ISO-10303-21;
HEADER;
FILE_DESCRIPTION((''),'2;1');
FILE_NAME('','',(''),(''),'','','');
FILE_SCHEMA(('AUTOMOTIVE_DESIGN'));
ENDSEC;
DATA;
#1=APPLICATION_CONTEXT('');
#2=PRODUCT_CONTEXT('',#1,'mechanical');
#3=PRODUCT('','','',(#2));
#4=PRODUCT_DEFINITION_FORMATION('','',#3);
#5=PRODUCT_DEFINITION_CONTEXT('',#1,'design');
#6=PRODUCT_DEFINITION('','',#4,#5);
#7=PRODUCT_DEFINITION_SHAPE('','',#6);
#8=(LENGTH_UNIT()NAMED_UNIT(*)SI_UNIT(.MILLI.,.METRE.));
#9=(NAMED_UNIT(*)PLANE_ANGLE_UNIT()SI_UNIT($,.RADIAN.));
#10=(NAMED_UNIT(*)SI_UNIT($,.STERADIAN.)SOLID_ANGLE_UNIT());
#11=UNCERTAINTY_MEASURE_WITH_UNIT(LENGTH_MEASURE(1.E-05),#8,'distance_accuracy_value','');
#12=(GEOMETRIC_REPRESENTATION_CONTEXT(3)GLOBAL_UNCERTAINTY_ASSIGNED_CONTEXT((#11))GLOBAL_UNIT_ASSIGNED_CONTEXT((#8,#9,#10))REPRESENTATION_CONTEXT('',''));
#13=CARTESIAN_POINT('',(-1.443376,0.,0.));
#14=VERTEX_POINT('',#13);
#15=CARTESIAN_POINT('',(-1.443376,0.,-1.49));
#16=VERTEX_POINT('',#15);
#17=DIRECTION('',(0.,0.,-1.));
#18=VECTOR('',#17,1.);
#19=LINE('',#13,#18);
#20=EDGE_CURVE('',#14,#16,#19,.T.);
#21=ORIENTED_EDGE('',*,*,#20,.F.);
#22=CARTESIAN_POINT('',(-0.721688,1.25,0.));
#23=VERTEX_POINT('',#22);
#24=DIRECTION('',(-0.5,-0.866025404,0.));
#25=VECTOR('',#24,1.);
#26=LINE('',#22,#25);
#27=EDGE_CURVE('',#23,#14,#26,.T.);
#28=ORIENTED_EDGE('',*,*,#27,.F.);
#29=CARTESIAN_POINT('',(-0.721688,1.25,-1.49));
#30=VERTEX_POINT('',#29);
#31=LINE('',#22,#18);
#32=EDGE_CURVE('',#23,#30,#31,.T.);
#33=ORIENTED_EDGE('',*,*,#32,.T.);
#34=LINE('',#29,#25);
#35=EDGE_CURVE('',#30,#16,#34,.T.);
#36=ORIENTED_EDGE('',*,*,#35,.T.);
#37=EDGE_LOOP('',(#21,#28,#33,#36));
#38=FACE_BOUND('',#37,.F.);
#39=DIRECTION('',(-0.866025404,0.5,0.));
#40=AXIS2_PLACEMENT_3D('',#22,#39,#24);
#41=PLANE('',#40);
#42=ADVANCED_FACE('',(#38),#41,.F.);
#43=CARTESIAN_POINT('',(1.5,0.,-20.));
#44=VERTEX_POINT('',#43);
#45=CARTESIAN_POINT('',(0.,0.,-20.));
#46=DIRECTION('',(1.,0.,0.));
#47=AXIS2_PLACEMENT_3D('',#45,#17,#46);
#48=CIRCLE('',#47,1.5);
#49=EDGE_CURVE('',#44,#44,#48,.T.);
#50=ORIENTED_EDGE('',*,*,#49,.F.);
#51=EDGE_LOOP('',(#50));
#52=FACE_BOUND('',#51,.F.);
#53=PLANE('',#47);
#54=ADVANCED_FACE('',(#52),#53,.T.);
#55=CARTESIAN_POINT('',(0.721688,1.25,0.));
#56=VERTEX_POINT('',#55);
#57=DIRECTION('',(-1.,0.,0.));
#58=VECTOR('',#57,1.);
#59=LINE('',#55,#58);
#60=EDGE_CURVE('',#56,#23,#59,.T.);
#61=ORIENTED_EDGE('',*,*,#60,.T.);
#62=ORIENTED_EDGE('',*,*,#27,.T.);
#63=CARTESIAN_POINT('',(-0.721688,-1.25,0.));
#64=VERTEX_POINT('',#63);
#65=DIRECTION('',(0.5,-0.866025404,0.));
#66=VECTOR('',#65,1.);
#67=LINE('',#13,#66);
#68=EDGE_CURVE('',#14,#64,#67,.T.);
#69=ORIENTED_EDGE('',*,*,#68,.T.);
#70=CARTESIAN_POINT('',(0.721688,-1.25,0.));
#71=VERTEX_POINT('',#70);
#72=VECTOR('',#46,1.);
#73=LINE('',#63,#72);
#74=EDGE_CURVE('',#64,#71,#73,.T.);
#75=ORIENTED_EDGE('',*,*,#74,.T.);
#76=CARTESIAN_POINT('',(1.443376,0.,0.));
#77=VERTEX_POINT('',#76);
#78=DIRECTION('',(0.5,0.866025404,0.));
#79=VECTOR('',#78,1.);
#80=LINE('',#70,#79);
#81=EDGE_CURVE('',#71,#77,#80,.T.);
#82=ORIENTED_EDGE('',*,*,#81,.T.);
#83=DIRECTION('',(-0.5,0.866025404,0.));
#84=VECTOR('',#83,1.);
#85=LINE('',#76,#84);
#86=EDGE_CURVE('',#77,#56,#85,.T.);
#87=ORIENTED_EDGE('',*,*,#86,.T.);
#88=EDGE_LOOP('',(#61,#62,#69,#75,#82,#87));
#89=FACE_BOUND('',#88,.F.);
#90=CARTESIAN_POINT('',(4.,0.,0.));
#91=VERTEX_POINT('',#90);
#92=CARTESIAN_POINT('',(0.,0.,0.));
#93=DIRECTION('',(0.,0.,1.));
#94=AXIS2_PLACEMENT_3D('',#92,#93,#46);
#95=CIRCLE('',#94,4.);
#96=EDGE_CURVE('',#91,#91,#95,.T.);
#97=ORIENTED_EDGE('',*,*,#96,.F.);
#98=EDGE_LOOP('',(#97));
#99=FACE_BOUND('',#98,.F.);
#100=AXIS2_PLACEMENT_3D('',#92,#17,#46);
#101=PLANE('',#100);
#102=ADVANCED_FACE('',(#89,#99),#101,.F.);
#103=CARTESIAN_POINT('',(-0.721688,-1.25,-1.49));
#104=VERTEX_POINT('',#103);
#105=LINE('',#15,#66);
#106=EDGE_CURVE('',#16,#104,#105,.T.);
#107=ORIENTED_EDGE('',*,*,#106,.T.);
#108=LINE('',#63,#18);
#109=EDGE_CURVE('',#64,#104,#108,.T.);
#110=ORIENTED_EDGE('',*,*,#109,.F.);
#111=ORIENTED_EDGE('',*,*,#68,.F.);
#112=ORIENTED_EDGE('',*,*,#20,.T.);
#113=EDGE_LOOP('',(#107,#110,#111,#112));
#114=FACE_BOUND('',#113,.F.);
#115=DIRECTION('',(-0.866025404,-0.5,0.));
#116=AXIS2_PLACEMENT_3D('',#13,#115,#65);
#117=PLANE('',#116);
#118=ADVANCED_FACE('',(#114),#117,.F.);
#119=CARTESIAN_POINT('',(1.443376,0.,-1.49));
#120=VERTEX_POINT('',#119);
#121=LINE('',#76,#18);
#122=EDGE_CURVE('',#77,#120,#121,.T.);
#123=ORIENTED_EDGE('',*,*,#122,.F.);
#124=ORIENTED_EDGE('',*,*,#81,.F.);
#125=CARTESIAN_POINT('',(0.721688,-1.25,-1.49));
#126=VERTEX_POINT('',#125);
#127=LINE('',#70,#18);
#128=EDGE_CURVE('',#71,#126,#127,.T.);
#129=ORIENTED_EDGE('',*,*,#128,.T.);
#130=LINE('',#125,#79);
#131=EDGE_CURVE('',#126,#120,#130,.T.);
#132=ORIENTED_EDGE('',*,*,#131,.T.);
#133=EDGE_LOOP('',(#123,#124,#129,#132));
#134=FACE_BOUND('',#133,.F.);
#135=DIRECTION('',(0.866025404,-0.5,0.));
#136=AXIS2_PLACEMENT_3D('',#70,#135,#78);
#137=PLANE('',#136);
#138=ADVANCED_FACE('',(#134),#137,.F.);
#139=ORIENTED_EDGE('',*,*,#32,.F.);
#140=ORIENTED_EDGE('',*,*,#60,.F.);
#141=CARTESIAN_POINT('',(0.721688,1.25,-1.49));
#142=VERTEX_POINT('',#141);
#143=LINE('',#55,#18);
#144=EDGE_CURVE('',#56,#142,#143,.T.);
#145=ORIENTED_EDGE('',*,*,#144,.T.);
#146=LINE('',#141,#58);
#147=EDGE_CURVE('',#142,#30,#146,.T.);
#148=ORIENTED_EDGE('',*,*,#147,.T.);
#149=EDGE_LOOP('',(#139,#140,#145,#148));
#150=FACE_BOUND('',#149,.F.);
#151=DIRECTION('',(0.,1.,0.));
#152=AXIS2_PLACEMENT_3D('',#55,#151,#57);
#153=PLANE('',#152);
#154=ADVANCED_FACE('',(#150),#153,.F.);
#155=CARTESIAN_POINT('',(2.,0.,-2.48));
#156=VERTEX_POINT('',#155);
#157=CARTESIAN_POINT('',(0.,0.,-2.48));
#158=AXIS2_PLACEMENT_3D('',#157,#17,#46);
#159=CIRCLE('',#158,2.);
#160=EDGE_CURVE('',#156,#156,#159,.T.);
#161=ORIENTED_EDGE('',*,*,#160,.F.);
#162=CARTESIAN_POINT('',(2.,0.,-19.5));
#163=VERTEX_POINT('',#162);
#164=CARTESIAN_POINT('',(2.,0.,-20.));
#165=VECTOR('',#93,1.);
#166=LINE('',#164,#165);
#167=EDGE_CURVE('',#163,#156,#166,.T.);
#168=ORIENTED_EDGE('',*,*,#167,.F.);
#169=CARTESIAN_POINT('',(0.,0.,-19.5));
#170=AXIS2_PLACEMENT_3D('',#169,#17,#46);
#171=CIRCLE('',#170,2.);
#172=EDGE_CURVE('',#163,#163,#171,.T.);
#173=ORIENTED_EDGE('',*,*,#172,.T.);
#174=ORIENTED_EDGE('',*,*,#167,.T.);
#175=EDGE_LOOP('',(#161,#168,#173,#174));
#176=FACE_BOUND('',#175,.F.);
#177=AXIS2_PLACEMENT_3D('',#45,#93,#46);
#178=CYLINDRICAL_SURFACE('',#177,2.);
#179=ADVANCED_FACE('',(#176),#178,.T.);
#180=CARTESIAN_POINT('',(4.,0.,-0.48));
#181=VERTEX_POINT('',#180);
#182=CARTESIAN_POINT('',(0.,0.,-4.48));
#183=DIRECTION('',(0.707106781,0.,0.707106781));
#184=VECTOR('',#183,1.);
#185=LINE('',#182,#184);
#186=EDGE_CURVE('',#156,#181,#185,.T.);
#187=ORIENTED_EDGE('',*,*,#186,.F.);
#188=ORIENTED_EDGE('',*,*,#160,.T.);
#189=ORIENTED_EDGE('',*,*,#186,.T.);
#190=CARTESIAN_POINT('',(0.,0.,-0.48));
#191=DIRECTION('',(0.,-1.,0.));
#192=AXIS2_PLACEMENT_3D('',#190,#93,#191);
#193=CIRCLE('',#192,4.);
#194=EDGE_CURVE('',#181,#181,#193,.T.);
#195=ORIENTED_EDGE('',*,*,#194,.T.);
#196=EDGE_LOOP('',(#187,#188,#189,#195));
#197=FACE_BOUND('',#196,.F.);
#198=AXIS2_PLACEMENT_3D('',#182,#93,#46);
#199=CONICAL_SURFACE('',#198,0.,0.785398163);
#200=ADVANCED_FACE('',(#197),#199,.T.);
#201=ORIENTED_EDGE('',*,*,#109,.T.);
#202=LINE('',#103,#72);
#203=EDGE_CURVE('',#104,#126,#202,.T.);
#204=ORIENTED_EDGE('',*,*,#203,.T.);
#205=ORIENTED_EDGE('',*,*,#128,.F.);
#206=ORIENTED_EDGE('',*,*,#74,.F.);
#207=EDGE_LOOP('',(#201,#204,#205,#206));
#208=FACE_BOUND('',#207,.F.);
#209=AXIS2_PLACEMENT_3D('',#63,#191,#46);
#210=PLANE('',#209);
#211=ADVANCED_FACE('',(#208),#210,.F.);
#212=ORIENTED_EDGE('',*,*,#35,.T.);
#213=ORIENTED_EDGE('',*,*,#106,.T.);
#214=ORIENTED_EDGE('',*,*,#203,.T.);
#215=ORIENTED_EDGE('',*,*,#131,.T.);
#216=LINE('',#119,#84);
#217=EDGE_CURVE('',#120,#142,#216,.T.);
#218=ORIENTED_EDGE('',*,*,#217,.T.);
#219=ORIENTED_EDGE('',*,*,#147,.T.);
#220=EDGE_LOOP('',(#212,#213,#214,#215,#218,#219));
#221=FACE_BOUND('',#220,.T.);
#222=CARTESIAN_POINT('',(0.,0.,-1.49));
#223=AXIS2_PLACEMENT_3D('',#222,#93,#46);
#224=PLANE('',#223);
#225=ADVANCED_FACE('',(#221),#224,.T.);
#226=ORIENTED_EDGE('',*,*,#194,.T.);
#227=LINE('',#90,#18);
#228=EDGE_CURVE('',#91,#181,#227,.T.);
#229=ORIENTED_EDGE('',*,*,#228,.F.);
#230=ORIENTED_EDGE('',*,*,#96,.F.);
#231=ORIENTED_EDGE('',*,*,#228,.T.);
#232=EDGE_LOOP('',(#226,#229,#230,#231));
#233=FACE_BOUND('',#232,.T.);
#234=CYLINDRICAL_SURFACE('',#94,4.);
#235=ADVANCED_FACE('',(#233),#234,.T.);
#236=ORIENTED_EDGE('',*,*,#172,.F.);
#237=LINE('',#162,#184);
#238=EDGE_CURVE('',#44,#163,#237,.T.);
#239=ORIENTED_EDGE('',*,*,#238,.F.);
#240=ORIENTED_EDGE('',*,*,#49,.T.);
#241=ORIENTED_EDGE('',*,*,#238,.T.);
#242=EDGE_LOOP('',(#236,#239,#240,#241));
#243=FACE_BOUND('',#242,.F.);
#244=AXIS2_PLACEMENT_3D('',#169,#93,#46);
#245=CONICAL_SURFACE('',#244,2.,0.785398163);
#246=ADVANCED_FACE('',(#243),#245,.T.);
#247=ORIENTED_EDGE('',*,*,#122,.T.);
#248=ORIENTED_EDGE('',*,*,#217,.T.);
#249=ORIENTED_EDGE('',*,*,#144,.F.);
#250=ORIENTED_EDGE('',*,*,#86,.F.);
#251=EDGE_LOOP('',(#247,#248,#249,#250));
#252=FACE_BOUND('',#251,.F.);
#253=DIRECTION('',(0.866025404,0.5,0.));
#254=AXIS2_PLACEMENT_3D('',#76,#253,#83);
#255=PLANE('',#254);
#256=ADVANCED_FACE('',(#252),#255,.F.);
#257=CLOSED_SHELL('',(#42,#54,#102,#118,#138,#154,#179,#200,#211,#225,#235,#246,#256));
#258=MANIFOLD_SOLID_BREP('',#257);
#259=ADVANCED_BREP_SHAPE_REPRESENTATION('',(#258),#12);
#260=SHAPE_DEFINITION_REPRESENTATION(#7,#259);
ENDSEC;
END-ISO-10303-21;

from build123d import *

# Parameters (mm, degrees)
F2_SIZE  = 0.5
F3_R     = 4.48
F3_R_2   = 4
F4_DEPTH = 1.49


with BuildPart() as f1:
    # F0 (on Front) → F1 (revolve)
    with BuildSketch(Plane.XZ):
        Polygon((4.48, 0), (0, 0), (0, -4.48), (2, -2.48), align=None)
        Polygon((2, -2.48), (0, -4.48), (0, -20), (2, -20), align=None)
    revolve(axis=Axis((0, 0, -10), (0, 0, -1)))

    # F2
    f2_edges = [f1.edges().sort_by_distance(p)[0] for p in [
        (-2, 0, -20),
    ]]
    chamfer(f2_edges, length=F2_SIZE)

    # F3 (on Top) → F4 (cut)
    with BuildSketch(Plane.XY):
        Circle(F3_R)
        Circle(F3_R_2, mode=Mode.SUBTRACT)
        Polygon((0.7216878365, 1.25), (-0.7216878365, 1.25), (-1.443375673, 0), (-0.7216878365, -1.25), (0.7216878365, -1.25), (1.443375673, 0), align=None)
    extrude(amount=-F4_DEPTH, mode=Mode.SUBTRACT)


solid = f1.part
